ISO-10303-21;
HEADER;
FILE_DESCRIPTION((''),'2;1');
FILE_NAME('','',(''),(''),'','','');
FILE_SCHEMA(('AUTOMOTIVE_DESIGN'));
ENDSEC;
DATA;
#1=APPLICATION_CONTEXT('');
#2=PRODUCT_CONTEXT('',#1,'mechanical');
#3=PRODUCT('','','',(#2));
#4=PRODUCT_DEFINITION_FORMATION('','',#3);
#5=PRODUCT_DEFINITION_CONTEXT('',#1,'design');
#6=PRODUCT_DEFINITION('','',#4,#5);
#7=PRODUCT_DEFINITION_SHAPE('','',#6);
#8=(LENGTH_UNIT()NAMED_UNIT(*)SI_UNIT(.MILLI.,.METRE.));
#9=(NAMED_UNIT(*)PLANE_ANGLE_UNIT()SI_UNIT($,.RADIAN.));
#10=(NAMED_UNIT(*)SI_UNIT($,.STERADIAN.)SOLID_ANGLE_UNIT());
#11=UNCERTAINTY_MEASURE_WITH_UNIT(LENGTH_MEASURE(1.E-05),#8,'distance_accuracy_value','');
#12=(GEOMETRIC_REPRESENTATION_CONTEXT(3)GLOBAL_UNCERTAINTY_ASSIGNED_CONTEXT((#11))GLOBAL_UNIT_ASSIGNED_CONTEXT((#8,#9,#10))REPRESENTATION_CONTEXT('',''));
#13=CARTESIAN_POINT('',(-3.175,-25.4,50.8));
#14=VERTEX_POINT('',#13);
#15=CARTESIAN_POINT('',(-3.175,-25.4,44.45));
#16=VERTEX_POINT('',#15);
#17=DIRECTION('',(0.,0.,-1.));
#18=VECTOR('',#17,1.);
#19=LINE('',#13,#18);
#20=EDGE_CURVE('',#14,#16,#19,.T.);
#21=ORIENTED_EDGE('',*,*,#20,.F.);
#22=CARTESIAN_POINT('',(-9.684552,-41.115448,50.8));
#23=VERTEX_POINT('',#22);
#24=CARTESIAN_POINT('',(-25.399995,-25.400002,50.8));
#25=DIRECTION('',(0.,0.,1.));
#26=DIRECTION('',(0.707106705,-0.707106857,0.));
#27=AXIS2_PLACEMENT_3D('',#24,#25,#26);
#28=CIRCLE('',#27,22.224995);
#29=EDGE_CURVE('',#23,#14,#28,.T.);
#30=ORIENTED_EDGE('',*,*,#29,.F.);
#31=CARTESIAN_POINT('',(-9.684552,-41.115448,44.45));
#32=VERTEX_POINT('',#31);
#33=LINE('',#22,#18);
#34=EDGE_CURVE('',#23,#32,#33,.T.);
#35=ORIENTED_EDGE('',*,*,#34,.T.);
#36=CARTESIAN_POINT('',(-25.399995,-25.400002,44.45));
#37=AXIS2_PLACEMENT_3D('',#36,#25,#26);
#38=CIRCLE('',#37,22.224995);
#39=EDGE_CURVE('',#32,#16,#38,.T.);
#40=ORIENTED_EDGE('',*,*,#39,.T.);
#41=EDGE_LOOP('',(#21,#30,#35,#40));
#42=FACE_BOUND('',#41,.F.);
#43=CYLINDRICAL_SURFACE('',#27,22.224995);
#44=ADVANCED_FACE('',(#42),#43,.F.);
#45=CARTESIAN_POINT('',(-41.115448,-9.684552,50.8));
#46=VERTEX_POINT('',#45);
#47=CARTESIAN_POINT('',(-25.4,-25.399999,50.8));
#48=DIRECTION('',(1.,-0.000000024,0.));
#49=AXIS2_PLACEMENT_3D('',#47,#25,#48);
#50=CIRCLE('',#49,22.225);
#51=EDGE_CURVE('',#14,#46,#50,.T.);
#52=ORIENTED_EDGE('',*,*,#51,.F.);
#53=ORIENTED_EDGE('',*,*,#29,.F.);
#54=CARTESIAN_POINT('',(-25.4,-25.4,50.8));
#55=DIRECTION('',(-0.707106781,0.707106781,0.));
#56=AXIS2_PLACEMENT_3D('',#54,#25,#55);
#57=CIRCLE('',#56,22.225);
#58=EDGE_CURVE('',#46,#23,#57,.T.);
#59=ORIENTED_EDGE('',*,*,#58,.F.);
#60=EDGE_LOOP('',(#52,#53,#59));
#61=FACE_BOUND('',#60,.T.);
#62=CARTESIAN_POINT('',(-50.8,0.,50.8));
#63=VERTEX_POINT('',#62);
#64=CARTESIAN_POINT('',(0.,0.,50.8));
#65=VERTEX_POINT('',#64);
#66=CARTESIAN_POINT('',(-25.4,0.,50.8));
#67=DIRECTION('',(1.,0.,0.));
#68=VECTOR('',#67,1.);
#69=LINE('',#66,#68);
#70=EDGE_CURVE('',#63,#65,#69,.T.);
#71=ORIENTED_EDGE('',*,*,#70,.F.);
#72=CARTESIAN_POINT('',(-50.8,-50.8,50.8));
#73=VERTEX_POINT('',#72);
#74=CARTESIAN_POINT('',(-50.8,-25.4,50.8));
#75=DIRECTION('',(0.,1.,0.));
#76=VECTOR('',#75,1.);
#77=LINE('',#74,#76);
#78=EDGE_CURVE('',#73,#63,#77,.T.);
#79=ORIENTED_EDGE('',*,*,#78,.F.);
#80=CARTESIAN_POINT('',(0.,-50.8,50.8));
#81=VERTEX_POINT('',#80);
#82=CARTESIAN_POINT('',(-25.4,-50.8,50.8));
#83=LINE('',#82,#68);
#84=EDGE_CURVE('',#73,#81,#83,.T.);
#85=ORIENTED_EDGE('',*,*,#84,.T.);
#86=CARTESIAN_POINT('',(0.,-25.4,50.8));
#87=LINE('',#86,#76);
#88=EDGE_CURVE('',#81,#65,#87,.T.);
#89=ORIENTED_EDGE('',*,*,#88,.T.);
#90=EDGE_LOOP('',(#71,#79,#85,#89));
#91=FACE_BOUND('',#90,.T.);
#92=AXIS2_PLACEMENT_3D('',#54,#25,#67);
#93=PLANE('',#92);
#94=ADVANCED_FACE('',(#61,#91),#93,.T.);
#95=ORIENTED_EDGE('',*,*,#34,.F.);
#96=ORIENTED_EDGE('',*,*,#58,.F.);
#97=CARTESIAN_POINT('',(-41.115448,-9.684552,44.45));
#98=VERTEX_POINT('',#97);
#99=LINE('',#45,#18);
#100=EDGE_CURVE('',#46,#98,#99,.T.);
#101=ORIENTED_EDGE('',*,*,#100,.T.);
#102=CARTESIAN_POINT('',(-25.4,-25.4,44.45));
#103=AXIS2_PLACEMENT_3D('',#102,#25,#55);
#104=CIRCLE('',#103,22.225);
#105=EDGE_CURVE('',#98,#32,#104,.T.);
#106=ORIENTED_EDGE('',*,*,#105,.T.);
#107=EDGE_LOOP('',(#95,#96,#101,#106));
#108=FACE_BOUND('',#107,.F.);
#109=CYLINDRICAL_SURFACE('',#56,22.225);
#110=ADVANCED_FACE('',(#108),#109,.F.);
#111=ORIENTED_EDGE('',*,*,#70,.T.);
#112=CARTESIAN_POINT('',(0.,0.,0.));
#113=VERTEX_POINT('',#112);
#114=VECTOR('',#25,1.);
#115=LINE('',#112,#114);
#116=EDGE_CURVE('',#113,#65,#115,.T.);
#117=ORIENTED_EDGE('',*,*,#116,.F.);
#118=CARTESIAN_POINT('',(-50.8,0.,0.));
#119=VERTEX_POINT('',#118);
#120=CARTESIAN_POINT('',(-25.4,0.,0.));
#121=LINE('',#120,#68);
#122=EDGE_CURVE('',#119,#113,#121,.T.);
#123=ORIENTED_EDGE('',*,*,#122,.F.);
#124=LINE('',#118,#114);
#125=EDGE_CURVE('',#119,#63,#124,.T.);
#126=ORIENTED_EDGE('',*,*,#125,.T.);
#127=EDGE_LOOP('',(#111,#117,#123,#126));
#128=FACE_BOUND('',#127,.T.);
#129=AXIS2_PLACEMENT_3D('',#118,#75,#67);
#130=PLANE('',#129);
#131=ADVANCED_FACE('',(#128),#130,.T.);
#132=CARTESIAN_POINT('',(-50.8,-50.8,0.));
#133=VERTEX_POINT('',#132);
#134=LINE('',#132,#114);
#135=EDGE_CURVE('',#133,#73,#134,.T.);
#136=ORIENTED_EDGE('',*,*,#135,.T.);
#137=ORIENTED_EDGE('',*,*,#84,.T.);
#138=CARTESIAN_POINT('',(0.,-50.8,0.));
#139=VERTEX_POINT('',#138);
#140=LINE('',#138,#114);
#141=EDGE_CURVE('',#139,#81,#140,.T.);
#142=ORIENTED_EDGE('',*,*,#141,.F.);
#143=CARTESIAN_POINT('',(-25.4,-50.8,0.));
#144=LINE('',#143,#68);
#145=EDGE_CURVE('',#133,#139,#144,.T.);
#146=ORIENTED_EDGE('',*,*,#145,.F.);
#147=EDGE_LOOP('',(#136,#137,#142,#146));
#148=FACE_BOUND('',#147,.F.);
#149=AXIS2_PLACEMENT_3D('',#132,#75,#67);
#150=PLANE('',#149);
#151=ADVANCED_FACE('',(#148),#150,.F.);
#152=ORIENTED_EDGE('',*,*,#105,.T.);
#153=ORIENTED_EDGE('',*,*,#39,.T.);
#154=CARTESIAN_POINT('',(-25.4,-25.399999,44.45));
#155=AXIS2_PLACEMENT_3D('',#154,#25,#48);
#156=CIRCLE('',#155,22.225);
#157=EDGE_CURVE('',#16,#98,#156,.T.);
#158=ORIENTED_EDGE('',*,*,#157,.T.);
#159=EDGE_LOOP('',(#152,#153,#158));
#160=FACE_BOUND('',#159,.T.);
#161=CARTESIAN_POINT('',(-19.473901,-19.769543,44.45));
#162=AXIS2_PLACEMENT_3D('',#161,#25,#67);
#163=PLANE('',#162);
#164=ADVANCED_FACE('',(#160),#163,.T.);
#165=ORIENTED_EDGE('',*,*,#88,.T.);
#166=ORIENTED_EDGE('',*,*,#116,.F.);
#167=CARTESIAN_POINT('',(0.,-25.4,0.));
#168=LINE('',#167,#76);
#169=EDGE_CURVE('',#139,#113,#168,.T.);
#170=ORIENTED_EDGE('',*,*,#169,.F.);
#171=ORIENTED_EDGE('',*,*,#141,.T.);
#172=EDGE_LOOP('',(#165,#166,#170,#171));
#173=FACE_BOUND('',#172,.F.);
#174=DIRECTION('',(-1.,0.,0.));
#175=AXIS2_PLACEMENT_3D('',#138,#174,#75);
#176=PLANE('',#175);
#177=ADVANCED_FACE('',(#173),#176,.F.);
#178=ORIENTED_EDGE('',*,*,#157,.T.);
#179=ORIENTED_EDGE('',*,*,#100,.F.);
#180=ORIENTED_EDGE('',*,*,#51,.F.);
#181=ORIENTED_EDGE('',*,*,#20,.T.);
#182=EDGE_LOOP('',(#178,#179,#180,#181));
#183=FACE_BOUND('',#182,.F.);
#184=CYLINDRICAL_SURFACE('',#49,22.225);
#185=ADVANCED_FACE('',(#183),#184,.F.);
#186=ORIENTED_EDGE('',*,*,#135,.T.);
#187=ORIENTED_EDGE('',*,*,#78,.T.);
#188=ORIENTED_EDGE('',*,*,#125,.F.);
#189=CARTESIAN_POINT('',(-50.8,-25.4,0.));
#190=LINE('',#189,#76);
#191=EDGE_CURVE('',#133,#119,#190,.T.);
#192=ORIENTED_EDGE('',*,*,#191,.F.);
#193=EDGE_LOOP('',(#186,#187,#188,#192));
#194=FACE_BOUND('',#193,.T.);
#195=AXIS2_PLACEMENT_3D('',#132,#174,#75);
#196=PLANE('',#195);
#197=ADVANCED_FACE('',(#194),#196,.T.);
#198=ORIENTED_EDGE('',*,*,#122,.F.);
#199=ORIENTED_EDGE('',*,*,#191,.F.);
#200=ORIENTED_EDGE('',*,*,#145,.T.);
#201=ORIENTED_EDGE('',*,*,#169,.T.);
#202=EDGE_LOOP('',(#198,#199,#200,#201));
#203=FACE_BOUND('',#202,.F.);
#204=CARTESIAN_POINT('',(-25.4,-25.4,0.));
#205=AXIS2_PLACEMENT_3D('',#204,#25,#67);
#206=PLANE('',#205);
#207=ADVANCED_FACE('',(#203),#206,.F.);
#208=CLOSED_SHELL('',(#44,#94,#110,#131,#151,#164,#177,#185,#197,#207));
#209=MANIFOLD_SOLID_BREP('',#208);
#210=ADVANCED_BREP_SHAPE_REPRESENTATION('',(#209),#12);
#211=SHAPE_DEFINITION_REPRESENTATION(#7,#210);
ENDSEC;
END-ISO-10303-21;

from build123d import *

# Parameters (mm, degrees)
F0_W     = 50.8
F0_H     = 50.8
F1_DEPTH = 50.8
F3_DEPTH = 6.35


with BuildPart() as f1:
    # F0 (on Top) → F1 (new body)
    with BuildSketch(Plane.XY):
        with Locations((-25.4, -25.4)):
            Rectangle(F0_W, F0_H)
    extrude(amount=F1_DEPTH)

    # F2 (on face) → F3 (cut)
    with BuildSketch(Plane.XY.offset(50.8)):
        with BuildLine():
            ThreePointArc((-9.684552, -41.115448), (-4.866777, -33.905139), (-3.175, -25.4))
            ThreePointArc((-3.175, -25.4), (-16.894861, -4.866777), (-41.115448, -9.684552))
            Line((-41.115448, -9.684552), (-9.684552, -41.115448))
        make_face()
        with BuildLine():
            Line((-9.684552, -41.115448), (-41.115448, -9.684552))
            ThreePointArc((-41.115448, -9.684552), (-41.115448, -41.115448), (-9.684552, -41.115448))
        make_face()
    extrude(amount=-F3_DEPTH, mode=Mode.SUBTRACT)


solid = f1.part
